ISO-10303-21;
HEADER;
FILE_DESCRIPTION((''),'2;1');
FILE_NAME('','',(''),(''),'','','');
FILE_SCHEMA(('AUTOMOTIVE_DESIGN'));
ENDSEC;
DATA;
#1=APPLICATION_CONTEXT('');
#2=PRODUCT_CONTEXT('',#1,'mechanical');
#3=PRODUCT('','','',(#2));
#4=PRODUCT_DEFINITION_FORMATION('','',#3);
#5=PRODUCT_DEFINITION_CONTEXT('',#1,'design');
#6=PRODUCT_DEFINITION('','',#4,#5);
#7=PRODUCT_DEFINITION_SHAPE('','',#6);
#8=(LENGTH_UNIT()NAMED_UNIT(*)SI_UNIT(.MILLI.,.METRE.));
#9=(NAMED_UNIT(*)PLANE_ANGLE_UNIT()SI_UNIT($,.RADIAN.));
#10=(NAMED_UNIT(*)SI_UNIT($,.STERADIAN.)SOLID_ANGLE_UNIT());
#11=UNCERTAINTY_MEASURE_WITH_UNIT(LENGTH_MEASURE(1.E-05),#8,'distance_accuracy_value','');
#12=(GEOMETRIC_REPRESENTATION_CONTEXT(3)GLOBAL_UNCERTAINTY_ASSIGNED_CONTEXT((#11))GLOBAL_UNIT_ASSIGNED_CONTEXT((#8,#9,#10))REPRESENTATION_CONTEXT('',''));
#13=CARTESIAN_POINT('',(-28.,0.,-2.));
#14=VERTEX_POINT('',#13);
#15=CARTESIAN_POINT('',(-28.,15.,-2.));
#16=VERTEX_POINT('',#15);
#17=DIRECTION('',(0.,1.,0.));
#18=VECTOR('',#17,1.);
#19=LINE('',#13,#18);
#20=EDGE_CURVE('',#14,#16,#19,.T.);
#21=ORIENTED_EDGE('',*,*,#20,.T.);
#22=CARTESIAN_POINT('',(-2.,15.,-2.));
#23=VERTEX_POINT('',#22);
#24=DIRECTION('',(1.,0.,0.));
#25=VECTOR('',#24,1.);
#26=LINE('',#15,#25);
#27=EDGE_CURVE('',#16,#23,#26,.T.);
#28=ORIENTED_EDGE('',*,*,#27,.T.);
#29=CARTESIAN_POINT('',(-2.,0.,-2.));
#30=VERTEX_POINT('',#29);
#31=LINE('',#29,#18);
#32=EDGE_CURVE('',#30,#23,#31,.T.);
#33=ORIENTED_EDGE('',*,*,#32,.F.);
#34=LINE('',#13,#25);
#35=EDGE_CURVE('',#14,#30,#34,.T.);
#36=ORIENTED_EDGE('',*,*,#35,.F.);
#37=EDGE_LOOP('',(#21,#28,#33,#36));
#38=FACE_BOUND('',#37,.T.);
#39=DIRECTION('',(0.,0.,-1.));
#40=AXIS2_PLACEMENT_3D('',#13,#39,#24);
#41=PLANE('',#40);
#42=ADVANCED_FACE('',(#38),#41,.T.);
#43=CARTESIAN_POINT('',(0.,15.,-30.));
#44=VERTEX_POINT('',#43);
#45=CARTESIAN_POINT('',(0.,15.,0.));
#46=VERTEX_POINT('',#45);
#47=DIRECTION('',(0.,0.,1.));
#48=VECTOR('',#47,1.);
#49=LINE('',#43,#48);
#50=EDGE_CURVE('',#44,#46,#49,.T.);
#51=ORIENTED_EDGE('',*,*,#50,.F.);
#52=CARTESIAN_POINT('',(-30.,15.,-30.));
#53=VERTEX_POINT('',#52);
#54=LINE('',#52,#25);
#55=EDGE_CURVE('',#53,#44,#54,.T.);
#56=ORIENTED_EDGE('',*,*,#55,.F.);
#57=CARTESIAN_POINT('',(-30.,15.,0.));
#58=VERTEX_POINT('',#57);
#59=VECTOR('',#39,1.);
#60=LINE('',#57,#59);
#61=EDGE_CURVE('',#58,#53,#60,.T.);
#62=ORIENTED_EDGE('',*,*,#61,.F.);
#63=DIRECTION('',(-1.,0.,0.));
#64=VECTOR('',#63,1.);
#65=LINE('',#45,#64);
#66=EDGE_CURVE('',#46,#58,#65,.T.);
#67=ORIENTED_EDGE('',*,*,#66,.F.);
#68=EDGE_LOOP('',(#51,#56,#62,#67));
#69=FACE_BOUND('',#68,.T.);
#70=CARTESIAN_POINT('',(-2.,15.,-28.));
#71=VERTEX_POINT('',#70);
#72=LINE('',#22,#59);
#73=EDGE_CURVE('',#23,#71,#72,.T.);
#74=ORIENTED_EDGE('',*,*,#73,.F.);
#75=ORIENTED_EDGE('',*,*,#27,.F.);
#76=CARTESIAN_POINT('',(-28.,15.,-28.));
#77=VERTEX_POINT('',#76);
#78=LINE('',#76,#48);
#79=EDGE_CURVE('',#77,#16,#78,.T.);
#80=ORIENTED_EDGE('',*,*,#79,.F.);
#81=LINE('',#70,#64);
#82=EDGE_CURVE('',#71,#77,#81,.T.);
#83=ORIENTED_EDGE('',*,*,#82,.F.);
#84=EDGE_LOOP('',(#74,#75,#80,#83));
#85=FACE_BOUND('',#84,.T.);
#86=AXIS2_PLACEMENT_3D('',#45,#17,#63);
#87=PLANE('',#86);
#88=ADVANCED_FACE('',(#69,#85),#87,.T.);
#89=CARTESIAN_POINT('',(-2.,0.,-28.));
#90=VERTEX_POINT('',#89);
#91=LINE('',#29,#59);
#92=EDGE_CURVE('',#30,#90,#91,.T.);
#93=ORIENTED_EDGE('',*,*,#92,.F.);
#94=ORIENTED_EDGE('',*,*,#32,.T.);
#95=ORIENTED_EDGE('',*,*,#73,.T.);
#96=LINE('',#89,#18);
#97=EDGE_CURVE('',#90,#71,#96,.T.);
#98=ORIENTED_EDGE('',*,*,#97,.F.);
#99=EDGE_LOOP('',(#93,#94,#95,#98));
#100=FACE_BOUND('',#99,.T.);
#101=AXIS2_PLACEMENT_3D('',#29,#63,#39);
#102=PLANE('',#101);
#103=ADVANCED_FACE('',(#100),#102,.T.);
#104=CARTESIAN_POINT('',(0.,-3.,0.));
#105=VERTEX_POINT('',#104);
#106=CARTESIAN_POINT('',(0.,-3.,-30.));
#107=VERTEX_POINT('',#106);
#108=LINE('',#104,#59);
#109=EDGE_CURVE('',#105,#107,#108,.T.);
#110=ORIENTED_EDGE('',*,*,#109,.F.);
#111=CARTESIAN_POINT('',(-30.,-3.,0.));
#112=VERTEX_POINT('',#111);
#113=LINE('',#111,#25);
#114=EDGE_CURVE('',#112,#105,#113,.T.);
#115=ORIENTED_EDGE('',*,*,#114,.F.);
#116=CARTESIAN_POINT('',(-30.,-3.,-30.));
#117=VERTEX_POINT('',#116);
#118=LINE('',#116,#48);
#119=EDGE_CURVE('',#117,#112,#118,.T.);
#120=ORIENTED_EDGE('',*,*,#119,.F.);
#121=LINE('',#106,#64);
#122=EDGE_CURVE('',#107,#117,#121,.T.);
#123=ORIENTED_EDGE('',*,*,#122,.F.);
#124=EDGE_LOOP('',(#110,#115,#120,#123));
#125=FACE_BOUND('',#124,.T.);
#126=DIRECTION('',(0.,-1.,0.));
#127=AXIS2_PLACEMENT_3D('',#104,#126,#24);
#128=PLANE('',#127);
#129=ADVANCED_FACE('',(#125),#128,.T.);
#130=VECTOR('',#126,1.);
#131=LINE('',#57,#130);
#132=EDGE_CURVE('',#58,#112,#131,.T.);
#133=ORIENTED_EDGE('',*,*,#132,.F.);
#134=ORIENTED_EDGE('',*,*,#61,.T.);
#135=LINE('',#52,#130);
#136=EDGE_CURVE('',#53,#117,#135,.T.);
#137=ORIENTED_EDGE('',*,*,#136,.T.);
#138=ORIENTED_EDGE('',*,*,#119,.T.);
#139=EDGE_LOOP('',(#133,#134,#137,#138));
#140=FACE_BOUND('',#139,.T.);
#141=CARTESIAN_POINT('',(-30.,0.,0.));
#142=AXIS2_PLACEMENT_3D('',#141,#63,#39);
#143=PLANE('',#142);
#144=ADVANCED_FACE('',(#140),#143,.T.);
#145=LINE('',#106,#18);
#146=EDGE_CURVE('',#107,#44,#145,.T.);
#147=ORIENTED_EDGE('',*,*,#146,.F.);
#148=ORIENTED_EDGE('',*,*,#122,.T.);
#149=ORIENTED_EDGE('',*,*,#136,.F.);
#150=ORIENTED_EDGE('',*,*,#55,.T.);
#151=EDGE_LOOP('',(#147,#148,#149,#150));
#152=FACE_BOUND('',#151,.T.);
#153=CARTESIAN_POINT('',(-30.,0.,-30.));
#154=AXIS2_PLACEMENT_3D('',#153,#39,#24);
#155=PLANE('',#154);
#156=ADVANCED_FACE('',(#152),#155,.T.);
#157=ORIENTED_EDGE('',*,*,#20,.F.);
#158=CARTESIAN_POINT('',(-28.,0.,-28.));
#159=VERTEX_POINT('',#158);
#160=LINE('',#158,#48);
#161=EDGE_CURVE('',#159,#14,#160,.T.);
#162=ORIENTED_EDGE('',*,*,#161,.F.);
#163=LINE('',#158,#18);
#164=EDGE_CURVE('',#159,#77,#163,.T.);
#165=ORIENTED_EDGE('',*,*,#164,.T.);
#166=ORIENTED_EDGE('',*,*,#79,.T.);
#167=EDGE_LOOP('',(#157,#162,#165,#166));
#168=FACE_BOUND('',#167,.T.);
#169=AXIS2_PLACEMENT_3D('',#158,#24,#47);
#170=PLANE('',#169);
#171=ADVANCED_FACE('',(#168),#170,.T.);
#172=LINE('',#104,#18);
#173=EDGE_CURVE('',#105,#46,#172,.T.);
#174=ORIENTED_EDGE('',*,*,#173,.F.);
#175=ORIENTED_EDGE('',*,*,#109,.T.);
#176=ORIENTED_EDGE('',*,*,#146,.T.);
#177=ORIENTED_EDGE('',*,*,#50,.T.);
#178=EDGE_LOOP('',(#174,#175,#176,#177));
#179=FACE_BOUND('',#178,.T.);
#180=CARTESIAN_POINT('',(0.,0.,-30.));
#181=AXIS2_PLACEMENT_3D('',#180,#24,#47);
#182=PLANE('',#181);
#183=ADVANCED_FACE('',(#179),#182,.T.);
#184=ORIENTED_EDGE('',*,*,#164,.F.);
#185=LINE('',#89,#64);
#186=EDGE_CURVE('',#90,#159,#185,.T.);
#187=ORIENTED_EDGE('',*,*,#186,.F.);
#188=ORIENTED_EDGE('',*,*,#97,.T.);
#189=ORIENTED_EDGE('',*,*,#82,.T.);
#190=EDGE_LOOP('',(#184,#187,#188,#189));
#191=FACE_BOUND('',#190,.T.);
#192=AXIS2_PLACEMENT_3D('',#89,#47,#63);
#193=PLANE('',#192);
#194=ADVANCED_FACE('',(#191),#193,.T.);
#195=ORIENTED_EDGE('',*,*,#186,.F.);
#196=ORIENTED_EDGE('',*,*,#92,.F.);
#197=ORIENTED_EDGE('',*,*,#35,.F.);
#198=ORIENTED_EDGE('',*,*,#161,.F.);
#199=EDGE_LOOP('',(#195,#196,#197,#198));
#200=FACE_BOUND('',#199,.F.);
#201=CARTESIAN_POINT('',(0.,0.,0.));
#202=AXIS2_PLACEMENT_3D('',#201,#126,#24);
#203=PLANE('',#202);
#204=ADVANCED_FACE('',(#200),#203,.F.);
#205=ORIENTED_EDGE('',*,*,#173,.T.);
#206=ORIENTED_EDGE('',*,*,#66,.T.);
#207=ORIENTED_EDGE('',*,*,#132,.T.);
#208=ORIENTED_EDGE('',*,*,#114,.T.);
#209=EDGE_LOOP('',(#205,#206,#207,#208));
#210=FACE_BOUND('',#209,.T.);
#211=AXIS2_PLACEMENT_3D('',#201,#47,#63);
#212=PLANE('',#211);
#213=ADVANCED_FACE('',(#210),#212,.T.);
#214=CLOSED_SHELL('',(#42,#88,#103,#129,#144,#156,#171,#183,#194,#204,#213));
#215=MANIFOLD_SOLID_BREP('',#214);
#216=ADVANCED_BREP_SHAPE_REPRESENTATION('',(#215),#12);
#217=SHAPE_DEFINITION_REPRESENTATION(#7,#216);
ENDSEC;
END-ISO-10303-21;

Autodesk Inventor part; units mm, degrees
ref_plane "YZ Plane" through (0, 0, 0) normal (1, 0, 0) x (0, 1, 0)
ref_plane "XZ Plane" through (0, 0, 0) normal (0, 1, 0) x (-1, 0, 0)
ref_plane "XY Plane" through (0, 0, 0) normal (0, 0, 1) x (1, 0, 0)
sketch "Sketch1" plane through (0, 0, 0) normal (0, 1, 0) x (-1, 0, 0)
  line L0 (0, 0) -> (30, 0)
  line L1 (30, 0) -> (30, -30)
  line L2 (30, -30) -> (0, -30)
  line L3 (0, -30) -> (0, 0)
  line L4 (28, -2) -> (2, -2)
  line L5 (2, -2) -> (2, -28)
  line L6 (2, -28) -> (28, -28)
  line L7 (28, -28) -> (28, -2)
  point P0 (0, -15)
  point P1 (2, -15)
  dimension "d0" = 30
  dimension "d1" = 30
  dimension "d2" = 2
  dimension "d3" = 2
  dimension "d4" = 2
  dimension "d5" = 2
extrude "Extrusion1" add sketch "Sketch1" along normal blind 15
sketch "Sketch2" plane through (0, 0, 0) normal (0, -1, 0) x (1, 0, 0)
  line L0 (-30, 0) -> (0, 0) projected
  line L1 (0, -30) -> (-30, -30) projected
  line L2 (-30, 0) -> (0, 0)
  line L3 (0, 0) -> (0, -30)
  line L4 (0, -30) -> (-30, -30)
  line L5 (-30, -30) -> (-30, 0)
extrude "Extrusion2" add sketch "Sketch2" along normal blind 3
properties part number "Boks_3DPrint"
